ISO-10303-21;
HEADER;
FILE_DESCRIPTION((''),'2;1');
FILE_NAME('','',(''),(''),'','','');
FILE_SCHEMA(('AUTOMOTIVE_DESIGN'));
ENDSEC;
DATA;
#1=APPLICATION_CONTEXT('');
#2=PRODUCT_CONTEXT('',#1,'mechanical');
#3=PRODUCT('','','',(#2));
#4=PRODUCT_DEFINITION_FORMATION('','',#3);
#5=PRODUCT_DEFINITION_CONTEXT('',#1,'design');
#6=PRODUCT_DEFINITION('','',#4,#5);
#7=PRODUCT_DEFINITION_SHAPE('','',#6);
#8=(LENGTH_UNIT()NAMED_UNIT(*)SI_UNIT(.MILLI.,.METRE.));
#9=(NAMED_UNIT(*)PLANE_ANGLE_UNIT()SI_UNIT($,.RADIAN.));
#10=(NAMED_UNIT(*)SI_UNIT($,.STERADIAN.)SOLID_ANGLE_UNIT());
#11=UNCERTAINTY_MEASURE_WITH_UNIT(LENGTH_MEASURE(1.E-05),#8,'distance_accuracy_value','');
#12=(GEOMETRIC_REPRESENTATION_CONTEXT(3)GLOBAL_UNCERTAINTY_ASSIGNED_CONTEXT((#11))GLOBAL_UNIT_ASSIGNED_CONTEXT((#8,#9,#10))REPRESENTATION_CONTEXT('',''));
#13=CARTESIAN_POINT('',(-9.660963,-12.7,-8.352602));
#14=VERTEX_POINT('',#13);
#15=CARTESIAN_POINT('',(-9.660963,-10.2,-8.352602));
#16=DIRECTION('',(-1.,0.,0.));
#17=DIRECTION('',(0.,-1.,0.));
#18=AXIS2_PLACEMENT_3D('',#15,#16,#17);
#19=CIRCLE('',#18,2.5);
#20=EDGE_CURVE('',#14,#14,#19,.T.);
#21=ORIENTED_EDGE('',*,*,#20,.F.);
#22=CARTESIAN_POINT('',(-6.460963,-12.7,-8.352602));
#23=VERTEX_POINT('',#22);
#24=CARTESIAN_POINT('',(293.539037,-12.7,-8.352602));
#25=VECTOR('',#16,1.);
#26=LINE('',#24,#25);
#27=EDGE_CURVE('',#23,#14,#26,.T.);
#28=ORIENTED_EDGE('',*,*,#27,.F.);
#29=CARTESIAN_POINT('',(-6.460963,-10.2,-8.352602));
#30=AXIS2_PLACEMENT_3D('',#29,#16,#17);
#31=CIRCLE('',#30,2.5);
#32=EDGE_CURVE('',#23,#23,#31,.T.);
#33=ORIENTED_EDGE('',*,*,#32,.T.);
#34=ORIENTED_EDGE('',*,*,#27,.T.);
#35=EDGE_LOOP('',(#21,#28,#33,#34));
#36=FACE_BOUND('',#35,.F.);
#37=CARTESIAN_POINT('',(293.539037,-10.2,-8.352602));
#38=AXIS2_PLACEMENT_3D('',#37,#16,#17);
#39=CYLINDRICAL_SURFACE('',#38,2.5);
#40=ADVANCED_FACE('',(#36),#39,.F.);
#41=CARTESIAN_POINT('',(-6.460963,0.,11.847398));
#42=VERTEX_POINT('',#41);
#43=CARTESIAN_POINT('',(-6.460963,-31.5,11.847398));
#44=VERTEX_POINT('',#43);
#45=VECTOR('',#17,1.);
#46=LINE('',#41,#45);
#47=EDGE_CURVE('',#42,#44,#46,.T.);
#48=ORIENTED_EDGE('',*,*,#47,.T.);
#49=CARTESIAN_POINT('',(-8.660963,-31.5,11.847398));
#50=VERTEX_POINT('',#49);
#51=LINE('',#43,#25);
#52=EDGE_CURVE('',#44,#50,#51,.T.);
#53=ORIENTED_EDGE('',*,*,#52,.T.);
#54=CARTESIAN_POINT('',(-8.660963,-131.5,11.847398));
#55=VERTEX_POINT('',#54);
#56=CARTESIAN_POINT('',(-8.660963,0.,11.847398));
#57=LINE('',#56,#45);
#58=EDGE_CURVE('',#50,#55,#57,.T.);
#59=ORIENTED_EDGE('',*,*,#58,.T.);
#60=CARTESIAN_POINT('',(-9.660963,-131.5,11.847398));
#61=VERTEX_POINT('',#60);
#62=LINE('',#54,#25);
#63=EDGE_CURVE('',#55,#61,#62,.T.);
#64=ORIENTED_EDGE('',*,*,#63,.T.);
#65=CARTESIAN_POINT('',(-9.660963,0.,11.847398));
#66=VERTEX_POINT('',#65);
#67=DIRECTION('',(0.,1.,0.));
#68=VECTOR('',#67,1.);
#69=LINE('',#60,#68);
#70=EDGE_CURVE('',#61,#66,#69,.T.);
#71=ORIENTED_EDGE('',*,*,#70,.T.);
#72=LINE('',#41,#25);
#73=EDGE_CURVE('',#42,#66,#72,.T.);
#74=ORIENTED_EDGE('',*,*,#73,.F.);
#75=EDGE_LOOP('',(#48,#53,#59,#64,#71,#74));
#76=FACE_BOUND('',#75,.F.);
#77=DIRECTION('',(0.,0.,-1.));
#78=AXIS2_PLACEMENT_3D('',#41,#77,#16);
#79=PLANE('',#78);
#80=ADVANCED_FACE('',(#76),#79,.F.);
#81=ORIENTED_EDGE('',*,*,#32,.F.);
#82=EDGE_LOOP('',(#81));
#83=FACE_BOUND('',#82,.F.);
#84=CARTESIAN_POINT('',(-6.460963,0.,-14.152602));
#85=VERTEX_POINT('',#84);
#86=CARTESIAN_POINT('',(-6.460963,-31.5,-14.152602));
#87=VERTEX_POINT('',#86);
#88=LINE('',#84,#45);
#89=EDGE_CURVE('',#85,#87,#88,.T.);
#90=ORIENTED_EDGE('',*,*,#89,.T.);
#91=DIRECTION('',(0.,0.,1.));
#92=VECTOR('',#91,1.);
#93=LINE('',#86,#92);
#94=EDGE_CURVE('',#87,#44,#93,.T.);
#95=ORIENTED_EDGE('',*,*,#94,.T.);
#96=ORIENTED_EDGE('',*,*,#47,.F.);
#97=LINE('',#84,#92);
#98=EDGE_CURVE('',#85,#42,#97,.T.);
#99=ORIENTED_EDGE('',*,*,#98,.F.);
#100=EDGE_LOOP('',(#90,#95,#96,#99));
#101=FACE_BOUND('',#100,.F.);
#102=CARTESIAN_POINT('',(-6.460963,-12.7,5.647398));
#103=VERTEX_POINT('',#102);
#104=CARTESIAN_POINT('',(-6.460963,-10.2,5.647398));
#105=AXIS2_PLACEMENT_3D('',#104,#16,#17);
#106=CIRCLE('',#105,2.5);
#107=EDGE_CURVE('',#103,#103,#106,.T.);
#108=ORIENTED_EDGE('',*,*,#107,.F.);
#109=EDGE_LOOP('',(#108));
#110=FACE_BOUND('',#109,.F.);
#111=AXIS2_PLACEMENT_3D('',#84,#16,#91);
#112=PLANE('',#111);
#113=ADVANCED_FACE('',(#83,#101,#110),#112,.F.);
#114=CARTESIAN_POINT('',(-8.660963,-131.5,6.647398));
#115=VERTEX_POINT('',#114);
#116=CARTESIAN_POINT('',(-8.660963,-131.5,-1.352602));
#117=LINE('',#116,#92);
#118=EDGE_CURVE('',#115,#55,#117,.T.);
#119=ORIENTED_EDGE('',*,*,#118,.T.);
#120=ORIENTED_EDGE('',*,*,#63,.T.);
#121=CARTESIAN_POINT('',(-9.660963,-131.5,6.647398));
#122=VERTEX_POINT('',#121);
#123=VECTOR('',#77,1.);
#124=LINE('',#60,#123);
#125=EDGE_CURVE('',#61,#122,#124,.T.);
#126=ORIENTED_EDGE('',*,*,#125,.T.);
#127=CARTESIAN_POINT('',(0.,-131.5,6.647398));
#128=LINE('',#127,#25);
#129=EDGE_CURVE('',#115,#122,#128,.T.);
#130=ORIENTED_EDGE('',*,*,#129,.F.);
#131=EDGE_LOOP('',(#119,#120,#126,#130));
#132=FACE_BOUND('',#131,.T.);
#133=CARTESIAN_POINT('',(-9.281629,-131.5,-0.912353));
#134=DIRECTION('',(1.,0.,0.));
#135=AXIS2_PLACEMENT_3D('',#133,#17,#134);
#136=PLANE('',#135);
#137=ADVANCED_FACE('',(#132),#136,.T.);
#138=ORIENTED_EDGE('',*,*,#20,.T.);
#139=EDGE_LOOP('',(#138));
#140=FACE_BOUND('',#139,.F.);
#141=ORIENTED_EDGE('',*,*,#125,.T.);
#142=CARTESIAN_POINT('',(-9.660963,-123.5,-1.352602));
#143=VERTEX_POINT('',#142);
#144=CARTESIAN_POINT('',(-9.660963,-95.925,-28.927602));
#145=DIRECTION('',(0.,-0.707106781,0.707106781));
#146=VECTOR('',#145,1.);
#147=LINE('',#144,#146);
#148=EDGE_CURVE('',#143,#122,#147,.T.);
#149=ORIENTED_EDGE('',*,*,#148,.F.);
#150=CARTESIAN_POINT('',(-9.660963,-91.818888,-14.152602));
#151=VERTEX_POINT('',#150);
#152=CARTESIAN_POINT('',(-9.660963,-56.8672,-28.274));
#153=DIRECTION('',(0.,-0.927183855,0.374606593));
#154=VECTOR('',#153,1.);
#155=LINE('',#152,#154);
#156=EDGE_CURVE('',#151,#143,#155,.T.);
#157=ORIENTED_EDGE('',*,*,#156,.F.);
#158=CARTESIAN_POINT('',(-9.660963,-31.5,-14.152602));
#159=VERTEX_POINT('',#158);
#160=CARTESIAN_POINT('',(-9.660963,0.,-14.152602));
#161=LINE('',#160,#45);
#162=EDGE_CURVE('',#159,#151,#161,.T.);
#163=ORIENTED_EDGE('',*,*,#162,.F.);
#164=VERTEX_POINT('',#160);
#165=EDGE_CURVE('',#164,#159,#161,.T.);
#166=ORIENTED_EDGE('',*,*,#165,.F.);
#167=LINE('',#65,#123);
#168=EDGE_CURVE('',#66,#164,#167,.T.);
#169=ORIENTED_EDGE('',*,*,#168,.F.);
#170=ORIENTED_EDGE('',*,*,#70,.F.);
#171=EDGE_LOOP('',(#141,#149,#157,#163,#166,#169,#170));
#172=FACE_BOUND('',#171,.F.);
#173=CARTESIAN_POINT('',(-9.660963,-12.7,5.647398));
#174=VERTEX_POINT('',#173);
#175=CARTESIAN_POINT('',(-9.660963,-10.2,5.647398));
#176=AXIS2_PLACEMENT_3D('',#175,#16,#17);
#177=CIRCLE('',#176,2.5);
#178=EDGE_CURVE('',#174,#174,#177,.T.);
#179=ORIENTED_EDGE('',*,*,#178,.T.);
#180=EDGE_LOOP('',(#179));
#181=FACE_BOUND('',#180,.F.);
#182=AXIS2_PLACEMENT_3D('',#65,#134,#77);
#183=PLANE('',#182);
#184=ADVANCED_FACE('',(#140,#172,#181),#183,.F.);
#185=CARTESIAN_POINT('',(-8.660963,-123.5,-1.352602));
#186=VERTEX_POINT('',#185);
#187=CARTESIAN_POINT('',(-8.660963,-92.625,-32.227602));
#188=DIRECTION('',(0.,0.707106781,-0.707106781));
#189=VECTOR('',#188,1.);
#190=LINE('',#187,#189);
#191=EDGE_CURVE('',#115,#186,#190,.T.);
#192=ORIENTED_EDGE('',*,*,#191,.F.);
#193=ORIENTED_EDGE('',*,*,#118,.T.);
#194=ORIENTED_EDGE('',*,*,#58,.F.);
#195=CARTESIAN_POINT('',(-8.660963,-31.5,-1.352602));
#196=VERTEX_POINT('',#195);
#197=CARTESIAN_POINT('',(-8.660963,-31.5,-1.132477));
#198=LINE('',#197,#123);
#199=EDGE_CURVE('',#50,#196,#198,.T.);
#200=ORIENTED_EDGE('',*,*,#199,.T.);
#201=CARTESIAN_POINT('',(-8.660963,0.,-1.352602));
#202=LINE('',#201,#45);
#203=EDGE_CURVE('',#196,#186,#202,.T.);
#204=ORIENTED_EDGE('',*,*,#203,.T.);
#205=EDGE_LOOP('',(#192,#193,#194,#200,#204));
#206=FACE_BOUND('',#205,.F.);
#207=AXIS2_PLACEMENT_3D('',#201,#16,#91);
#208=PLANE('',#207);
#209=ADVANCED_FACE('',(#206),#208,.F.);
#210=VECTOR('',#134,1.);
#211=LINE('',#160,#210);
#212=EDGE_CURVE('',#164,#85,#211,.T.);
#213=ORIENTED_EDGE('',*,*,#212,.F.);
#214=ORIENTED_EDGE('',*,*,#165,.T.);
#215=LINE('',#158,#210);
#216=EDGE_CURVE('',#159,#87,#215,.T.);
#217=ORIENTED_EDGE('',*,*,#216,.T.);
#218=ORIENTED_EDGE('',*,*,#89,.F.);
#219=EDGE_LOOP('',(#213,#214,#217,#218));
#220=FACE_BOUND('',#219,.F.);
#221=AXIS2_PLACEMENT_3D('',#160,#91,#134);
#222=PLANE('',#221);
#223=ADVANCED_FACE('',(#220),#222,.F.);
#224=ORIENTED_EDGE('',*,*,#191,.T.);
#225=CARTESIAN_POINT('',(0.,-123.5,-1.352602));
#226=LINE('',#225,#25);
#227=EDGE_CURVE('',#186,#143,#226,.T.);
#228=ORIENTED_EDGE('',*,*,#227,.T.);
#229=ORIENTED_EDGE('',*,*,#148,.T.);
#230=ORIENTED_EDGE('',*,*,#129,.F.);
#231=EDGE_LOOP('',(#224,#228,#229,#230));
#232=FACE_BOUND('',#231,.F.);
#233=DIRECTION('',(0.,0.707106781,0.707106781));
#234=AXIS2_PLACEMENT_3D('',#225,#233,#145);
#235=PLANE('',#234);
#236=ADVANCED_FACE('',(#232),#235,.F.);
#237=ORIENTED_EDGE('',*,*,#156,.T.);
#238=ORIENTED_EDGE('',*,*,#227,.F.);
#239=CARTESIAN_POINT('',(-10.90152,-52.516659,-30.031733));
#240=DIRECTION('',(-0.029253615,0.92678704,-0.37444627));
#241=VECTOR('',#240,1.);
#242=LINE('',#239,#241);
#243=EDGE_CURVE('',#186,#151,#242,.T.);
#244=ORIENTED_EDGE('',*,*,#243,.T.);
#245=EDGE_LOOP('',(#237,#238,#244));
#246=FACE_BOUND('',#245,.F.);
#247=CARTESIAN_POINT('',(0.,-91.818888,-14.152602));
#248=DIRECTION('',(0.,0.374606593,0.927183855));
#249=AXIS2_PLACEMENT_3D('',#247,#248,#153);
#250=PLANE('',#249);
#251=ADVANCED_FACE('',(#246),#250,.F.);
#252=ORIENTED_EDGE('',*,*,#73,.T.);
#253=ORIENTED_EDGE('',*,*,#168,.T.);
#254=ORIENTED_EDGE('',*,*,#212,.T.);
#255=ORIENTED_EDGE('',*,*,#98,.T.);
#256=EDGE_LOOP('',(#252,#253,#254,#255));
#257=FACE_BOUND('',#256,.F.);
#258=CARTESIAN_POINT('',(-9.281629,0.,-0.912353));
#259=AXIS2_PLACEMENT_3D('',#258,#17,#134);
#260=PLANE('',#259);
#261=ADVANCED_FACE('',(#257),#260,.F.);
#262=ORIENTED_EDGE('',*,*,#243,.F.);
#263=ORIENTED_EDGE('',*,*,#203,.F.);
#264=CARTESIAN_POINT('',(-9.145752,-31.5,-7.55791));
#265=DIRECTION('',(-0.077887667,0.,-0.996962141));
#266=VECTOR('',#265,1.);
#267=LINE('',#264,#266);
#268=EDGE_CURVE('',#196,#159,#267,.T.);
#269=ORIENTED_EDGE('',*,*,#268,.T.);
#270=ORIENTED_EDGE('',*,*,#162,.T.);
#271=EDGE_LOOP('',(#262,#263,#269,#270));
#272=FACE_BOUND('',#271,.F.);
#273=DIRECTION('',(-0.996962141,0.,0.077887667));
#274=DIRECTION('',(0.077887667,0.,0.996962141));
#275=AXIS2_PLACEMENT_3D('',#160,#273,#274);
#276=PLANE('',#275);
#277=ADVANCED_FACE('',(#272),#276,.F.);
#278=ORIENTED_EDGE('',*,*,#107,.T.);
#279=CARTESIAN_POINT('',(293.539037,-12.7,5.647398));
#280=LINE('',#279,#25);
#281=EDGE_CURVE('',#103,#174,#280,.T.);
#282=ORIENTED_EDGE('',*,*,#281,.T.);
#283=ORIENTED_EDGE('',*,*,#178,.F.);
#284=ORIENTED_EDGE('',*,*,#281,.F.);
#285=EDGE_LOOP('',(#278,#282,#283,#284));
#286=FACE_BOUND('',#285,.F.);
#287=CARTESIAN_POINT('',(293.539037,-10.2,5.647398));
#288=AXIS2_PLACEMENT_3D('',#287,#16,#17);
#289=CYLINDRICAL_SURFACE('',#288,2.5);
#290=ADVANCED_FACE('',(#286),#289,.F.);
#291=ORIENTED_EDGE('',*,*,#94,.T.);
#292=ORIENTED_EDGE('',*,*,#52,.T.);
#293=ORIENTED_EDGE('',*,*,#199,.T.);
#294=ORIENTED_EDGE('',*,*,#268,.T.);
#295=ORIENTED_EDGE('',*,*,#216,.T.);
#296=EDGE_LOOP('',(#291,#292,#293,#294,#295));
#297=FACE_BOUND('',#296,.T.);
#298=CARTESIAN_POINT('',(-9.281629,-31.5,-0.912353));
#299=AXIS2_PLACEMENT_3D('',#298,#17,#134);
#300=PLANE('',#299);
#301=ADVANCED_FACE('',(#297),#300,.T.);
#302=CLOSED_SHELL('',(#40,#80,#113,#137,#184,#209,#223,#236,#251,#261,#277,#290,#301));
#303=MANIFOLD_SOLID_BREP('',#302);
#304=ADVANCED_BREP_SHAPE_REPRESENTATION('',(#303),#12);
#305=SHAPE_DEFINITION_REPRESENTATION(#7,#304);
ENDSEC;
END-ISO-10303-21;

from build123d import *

# Parameters (mm, degrees)
F1_DEPTH = 31.5
F2_DEPTH = 131.5
F6_DEPTH = 25
F7_D     = 5
F7_DEPTH = 300
F7_START = 6.4609628
F7_TIP   = 1.5021515476


with BuildPart() as f1:
    # F0 (on Front) → F1 (new body)
    with BuildSketch(Plane.XZ):
        Polygon((-8.6609627543, 11.8473982275), (-9.6609627543, 11.8473982275), (-9.6609627543, -14.1526017725), (-8.6609627543, -1.3526017725), align=None)
        Polygon((-6.4609627543, 11.8473982275), (-8.6609627543, 11.8473982275), (-8.6609627543, -1.3526017725), (-9.6609627543, -14.1526017725), (-8.6609627543, -14.1526017725), (-6.4609627543, -14.1526017725), align=None)
    extrude(amount=F1_DEPTH)

    # F0 (on Front) → F2 (join)
    with BuildSketch(Plane.XZ):
        Polygon((-8.6609627543, 11.8473982275), (-9.6609627543, 11.8473982275), (-9.6609627543, -14.1526017725), (-8.6609627543, -1.3526017725), align=None)
    extrude(amount=F2_DEPTH)

    # F5 (on Right) → F6 (cut)
    with BuildSketch(Plane.YZ):
        Polygon((-123.5, -1.3526017725), (-131.5, -1.3526017725), (-131.5, -14.1526017725), (-123.5, -14.1526017725), (-91.8188882763, -14.1526017725), align=None)
        Polygon((-123.5, -1.3526017725), (-131.5, 6.6473982275), (-131.5, -1.3526017725), align=None)
    extrude(amount=-F6_DEPTH, mode=Mode.SUBTRACT)

    # F7
    # its depths count from where the whole tool has entered the part; down to there all is cleared
    with Locations(Plane.YZ.offset(-F7_START)):
        with Locations((-10.2, 5.6473982275), (-10.2, -8.3526017725)):
            Hole(F7_D / 2, depth=F7_DEPTH)
            with Locations((0, 0, -(F7_DEPTH + F7_TIP / 2))):  # 118° drill point
                Cone(0, F7_D / 2, F7_TIP, mode=Mode.SUBTRACT)


solid = f1.part
